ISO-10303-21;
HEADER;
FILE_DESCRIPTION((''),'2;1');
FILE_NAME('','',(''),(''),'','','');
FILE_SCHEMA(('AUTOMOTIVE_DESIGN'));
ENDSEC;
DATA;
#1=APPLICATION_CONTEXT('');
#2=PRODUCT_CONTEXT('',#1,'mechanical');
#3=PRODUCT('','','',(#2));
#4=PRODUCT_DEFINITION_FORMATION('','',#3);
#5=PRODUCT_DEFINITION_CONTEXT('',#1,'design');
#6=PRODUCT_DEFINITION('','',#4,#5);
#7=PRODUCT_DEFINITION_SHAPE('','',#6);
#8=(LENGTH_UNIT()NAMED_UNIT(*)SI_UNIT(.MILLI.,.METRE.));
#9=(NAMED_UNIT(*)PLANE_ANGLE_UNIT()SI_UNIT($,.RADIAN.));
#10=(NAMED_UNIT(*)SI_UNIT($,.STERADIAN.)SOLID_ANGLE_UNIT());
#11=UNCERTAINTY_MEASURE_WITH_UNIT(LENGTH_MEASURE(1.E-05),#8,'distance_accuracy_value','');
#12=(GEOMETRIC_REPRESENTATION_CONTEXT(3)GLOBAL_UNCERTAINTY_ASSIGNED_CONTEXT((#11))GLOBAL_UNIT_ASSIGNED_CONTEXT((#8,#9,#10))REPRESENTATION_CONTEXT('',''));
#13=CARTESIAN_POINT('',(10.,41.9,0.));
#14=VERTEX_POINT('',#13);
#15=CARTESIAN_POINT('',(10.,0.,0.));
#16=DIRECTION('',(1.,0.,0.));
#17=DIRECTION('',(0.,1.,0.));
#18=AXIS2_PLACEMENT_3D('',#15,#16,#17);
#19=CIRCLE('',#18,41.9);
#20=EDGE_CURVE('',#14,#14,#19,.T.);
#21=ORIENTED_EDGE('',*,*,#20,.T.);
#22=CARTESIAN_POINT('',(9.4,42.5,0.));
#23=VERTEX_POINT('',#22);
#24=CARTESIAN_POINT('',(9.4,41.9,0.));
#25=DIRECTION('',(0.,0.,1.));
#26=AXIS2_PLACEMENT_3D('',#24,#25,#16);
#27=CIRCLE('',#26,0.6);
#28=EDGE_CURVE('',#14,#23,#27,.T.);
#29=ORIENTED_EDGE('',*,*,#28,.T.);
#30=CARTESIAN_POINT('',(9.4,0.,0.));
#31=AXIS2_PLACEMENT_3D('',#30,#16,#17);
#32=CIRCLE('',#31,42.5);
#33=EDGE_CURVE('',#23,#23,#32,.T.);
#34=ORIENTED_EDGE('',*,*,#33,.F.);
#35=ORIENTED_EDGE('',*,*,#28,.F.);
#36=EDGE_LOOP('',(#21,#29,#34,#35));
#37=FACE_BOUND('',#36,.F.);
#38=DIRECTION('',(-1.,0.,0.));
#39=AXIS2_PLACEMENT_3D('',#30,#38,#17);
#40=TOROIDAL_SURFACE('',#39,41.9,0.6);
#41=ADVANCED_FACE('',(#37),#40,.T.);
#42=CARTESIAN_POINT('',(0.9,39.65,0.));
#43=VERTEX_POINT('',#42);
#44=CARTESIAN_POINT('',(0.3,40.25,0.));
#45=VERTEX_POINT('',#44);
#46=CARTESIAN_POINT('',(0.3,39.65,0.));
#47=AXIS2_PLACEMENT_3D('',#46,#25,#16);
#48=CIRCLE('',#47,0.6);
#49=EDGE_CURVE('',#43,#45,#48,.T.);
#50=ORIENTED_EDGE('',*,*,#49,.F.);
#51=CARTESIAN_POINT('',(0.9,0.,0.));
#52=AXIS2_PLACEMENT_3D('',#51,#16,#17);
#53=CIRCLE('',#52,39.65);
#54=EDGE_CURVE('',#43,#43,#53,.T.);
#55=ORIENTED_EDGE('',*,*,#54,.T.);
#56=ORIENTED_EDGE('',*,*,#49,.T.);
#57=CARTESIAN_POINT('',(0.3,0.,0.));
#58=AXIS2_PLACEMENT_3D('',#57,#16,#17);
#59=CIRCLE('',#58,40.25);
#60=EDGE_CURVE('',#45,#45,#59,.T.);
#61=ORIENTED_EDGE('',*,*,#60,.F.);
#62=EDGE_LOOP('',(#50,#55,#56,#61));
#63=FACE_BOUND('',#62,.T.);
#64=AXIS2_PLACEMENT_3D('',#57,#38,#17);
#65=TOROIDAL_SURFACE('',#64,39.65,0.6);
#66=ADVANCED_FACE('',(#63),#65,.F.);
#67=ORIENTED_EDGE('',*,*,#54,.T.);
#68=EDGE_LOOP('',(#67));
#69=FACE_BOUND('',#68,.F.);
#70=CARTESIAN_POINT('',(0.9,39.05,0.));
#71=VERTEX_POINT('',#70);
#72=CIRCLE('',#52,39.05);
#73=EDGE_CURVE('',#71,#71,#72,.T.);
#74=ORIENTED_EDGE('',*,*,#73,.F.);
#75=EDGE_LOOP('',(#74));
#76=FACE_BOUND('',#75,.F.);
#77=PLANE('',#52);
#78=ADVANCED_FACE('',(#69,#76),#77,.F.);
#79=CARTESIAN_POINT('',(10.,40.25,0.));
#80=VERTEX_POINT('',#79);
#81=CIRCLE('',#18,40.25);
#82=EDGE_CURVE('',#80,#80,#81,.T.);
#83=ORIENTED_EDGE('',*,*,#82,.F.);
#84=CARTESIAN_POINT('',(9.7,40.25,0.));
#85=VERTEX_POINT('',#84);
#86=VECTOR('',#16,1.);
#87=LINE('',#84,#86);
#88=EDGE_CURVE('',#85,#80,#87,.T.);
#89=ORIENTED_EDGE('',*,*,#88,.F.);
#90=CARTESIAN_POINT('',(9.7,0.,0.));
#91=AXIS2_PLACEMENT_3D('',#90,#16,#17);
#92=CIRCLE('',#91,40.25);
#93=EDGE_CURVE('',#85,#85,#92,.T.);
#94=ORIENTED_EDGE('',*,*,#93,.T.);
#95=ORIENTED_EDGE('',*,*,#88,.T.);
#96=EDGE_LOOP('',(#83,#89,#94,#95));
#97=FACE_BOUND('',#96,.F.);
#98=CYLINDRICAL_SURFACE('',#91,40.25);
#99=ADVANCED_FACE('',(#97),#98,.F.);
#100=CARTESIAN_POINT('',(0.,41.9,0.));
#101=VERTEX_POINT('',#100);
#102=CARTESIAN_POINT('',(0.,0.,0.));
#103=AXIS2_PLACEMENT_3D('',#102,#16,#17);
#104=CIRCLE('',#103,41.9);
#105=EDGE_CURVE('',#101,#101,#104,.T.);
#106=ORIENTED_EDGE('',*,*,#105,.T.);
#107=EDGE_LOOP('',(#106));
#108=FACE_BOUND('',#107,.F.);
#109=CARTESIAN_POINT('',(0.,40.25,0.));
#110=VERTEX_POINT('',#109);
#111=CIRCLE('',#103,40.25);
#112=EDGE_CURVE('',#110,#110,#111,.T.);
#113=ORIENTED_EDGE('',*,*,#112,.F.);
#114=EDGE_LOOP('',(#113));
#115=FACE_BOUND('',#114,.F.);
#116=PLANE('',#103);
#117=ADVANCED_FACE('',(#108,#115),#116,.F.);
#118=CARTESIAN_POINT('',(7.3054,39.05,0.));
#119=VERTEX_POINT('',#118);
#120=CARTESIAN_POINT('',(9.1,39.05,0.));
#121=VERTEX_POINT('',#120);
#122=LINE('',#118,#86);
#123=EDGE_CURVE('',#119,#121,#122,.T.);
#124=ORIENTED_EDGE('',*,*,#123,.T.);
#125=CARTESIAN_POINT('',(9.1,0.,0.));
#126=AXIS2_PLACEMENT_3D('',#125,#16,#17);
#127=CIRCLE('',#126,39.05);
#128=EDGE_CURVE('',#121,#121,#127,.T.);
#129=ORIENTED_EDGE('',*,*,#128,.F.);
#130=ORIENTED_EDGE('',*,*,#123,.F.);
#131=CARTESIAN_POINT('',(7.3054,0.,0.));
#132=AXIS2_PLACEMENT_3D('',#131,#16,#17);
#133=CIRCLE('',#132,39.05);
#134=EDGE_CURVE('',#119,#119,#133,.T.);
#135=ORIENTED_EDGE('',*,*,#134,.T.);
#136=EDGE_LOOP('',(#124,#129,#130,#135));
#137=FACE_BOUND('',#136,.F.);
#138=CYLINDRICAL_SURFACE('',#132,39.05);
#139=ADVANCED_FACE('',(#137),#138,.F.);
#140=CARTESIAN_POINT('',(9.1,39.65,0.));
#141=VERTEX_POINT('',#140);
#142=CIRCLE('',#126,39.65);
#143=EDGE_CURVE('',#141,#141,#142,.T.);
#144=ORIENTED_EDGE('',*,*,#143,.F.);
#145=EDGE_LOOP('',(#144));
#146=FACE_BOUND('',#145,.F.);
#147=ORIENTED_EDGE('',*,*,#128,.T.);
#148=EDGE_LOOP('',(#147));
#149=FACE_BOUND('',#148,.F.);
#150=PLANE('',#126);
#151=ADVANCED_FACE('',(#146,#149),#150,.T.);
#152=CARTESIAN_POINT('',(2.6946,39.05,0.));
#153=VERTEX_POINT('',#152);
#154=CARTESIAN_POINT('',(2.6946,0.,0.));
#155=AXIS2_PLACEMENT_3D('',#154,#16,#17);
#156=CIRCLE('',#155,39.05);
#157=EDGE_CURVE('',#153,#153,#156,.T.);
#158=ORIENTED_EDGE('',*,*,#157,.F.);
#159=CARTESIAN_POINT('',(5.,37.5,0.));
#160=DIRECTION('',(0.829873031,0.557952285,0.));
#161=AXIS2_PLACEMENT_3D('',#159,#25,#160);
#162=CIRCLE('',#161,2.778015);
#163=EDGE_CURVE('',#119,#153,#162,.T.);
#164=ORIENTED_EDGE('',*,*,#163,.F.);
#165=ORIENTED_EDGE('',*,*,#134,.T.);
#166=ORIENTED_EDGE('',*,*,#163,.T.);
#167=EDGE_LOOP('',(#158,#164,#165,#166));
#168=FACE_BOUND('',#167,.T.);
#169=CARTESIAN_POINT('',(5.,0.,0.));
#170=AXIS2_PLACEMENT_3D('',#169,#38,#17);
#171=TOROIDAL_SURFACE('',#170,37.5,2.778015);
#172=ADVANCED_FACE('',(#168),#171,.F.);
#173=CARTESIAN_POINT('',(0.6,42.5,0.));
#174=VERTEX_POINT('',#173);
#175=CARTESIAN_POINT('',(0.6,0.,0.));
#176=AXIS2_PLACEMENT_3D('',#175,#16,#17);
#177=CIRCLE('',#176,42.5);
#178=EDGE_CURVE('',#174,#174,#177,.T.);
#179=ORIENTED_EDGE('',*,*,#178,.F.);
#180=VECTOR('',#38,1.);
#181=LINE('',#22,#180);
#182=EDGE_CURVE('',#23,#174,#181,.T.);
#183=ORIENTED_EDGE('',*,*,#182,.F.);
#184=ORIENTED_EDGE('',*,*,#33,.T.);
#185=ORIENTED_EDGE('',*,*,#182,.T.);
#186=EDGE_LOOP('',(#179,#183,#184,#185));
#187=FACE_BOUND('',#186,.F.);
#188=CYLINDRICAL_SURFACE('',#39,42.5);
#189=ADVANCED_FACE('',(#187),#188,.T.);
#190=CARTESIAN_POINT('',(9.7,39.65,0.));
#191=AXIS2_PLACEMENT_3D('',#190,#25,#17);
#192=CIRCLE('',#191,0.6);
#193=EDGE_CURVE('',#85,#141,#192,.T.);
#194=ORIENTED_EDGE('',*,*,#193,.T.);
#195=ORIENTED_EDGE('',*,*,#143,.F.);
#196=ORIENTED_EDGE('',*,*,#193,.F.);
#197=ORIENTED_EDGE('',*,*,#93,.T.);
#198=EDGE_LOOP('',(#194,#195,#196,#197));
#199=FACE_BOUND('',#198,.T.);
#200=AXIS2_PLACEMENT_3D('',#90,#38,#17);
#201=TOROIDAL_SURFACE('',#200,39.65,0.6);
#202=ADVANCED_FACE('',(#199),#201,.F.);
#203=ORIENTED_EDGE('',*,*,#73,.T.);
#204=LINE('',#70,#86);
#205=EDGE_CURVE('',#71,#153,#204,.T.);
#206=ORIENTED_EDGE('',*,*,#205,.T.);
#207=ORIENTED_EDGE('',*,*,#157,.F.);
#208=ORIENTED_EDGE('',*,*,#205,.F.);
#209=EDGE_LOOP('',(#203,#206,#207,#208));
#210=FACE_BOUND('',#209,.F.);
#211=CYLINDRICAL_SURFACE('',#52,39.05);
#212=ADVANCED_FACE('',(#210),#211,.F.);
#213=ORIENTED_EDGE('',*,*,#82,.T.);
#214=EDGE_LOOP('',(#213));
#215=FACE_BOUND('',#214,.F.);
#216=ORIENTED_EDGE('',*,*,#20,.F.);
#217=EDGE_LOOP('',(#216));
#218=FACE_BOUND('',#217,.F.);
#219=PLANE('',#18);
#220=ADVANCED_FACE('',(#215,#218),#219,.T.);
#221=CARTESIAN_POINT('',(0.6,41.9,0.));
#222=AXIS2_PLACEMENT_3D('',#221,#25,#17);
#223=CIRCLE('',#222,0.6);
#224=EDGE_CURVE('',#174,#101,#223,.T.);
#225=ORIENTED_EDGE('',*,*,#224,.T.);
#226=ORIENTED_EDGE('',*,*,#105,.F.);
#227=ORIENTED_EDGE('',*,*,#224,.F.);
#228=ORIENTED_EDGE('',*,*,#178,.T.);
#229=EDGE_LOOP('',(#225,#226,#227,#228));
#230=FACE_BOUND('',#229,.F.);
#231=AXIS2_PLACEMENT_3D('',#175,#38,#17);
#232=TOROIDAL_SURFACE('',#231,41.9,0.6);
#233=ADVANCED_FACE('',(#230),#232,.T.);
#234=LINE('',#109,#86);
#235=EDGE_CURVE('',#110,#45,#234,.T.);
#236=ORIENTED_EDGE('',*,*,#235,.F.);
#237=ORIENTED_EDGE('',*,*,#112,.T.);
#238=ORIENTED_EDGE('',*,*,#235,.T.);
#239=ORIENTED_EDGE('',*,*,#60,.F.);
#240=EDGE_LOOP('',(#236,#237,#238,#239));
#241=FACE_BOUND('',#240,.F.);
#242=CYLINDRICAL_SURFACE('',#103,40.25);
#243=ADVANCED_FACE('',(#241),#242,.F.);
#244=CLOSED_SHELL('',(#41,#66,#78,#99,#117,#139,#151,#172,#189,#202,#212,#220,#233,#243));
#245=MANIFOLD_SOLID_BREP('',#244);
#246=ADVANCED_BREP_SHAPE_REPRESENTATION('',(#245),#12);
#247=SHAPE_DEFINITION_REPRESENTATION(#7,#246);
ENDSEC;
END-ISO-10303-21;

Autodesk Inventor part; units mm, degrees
ref_plane "YZ Plane" through (0, 0, 0) normal (1, 0, 0) x (0, 1, 0)
ref_plane "XZ Plane" through (0, 0, 0) normal (0, 1, 0) x (-1, 0, 0)
ref_plane "XY Plane" through (0, 0, 0) normal (0, 0, 1) x (1, 0, 0)
sketch "Sketch_9" plane through (0, 0, 0) normal (0, 0, 1) x (1, 0, 0)
  line L0 (50, 0) -> (-50, 0)
  line L1 (0, 41.9) -> (0, 40.25)
  line L2 (0, 40.25) -> (0.3, 40.25)
  arc A0 (0.9, 39.65) -> (0.3, 40.25) centre (0.3, 39.65) ccw
  line L3 (0.9, 39.65) -> (0.9, 39.05)
  line L4 (0.9, 39.05) -> (2.6946, 39.05)
  arc A1 (7.3054, 39.05) -> (2.6946, 39.05) centre (5, 37.5) ccw
  line L5 (7.3054, 39.05) -> (9.1, 39.05)
  line L6 (9.1, 39.05) -> (9.1, 39.65)
  arc A2 (9.7, 40.25) -> (9.1, 39.65) centre (9.7, 39.65) ccw
  line L7 (9.7, 40.25) -> (10, 40.25)
  line L8 (10, 40.25) -> (10, 41.9)
  arc A3 (10, 41.9) -> (9.4, 42.5) centre (9.4, 41.9) ccw
  line L9 (9.4, 42.5) -> (0.6, 42.5)
  arc A4 (0.6, 42.5) -> (0, 41.9) centre (0.6, 41.9) ccw
revolve "Revolution1" add sketch "Sketch_9" angle 360 about axis through (50, 0, 0) along (1, 0, 0)
properties part number "61813-2RS1_PART2"
